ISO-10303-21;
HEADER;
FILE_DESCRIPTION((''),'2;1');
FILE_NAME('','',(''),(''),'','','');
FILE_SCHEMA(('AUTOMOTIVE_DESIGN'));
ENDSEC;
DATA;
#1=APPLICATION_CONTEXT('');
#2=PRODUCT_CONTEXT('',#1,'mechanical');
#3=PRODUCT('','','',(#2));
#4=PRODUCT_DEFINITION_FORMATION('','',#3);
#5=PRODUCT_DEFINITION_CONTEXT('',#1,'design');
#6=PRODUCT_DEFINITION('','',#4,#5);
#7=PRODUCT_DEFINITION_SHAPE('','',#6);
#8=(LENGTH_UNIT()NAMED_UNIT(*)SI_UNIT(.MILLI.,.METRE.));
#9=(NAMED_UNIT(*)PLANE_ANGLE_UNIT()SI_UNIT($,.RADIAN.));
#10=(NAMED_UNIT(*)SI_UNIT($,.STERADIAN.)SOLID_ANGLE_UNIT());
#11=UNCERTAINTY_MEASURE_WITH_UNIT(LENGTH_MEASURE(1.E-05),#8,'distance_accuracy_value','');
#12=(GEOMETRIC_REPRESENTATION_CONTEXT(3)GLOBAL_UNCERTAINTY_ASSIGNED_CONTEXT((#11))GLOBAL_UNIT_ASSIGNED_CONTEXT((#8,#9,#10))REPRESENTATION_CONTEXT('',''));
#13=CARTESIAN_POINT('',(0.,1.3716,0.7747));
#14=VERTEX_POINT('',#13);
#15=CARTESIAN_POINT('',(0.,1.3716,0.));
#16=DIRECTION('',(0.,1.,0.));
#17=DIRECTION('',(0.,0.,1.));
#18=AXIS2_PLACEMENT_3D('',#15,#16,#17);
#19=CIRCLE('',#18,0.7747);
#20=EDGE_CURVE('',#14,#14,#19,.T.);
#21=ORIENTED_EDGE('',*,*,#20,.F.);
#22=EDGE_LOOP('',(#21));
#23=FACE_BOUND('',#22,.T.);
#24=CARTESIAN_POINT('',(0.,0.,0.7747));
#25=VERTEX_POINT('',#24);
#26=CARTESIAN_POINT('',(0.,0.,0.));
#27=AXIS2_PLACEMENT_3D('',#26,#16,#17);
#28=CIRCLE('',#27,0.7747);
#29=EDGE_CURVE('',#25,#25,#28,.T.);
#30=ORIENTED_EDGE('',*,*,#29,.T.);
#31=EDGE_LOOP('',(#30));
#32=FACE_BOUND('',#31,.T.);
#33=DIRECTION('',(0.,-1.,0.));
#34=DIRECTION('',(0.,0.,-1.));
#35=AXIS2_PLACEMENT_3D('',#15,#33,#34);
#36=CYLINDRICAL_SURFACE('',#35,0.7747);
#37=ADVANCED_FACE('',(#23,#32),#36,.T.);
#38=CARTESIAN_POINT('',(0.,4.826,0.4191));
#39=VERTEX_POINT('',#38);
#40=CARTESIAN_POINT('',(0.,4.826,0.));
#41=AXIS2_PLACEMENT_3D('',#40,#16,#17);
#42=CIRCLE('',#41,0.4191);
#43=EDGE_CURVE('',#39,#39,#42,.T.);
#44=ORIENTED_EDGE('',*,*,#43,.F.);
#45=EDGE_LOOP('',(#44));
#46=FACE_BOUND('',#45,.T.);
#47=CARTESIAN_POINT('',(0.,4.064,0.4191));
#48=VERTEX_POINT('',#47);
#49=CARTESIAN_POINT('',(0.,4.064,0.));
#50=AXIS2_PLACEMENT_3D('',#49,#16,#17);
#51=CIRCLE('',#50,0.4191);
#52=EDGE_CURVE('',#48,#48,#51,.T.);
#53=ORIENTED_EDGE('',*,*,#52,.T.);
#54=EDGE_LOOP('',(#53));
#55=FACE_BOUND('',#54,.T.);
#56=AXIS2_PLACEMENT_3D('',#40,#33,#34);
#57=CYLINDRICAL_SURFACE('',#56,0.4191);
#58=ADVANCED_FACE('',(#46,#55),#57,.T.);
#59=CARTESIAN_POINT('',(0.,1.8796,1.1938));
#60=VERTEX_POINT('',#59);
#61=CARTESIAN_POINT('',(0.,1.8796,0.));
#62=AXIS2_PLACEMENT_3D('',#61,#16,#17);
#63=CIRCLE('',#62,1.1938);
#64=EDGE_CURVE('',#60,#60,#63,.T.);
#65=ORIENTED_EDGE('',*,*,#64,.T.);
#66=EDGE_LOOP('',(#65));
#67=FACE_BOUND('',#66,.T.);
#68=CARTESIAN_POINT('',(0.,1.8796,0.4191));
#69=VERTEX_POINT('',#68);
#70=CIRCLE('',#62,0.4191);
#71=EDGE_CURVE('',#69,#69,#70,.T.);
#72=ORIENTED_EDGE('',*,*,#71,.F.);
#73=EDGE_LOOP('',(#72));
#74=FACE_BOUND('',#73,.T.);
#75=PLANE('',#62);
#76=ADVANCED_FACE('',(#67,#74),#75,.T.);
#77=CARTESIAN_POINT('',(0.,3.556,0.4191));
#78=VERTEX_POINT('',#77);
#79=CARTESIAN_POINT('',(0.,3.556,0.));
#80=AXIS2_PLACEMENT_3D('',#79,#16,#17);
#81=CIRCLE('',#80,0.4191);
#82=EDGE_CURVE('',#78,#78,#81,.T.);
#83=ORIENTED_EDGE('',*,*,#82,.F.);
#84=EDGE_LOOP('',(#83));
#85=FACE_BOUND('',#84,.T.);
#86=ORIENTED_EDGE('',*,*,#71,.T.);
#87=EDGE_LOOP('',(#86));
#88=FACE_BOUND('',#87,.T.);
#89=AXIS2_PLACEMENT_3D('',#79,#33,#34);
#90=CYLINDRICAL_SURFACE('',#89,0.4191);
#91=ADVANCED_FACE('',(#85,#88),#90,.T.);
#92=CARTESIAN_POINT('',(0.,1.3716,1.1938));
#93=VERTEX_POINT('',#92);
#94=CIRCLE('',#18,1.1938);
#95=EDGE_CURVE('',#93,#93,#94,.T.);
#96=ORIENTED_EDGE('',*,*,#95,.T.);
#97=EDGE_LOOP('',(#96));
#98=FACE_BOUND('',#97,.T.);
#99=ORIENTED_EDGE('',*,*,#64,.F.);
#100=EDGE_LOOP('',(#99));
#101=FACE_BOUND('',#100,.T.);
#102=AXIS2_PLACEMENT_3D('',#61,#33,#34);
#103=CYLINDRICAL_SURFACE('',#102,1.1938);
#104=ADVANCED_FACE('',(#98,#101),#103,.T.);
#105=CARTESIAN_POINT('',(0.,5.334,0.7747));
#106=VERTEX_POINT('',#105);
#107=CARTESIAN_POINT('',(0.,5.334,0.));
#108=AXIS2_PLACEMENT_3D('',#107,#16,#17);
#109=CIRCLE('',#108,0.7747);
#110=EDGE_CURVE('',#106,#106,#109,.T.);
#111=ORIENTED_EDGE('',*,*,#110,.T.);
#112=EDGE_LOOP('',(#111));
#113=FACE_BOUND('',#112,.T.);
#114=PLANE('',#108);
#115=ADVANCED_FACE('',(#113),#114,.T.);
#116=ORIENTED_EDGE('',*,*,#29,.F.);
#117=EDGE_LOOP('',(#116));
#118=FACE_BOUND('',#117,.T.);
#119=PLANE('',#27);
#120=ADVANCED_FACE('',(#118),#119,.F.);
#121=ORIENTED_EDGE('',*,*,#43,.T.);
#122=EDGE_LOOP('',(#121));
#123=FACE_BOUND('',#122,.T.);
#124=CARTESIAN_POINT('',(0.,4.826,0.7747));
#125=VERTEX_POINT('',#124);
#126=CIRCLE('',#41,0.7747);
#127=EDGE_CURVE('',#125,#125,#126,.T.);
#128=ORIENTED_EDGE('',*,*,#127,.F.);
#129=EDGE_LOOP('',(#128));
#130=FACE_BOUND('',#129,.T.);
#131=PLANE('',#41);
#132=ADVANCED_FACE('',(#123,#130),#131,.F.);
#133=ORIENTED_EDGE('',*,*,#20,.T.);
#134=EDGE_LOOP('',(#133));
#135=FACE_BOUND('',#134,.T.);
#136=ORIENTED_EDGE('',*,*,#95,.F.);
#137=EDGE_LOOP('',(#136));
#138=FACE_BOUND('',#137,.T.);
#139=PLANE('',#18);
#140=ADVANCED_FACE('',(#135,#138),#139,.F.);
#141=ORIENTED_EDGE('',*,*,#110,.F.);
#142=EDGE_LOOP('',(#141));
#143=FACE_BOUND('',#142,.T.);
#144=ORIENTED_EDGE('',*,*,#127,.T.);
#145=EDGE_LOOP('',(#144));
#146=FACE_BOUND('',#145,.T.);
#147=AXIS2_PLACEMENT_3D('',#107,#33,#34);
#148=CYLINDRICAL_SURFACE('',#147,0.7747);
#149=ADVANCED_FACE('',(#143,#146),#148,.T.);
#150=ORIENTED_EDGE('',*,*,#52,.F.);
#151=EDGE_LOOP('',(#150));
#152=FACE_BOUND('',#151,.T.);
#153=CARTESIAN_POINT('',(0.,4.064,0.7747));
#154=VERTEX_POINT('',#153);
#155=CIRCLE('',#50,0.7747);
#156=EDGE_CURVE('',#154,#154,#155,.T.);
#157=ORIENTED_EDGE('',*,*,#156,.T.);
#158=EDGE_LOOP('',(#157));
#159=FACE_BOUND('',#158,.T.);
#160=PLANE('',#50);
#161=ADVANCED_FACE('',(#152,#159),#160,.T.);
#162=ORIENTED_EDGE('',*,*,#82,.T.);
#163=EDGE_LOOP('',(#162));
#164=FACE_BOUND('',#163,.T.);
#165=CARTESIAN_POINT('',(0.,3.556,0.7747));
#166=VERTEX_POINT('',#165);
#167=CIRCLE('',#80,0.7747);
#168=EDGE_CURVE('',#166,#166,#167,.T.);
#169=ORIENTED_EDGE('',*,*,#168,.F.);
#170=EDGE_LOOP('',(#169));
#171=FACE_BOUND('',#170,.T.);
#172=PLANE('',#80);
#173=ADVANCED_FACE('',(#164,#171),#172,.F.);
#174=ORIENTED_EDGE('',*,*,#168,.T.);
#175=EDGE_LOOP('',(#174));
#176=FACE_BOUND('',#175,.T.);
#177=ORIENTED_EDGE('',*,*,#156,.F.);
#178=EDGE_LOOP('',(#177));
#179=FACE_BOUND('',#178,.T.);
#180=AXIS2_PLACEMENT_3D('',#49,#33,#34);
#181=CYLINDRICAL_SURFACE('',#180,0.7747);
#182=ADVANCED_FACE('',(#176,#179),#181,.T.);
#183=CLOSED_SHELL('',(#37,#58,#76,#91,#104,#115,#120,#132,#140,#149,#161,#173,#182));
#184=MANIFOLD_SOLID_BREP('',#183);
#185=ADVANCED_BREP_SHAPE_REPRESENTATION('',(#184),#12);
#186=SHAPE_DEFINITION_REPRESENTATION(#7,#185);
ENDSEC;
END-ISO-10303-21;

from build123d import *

# Parameters (mm, degrees)
CROQUIS2_R              = 0.7747
SALIENTE_EXTRUIR1_DEPTH = 1.3716
CROQUIS3_R              = 1.1938
SALIENTE_EXTRUIR2_DEPTH = 0.508
CROQUIS4_R              = 0.4191
SALIENTE_EXTRUIR3_DEPTH = 1.6764
CROQUIS5_R              = 0.7747
SALIENTE_EXTRUIR4_DEPTH = 0.508
CROQUIS6_R              = 0.4191
SALIENTE_EXTRUIR5_DEPTH = 0.762
CROQUIS7_R              = 0.7747
SALIENTE_EXTRUIR6_DEPTH = 0.508


with BuildPart() as part:
    # Croquis2 → Saliente-Extruir1 (new body)
    with BuildSketch(Plane(origin=(0, 0, 0), x_dir=(1, 0, 0), z_dir=(0, 1, 0))):
        with Locations(Location((0, 0, 0), (0, 0, 270))):
            Circle(CROQUIS2_R)
    extrude(amount=SALIENTE_EXTRUIR1_DEPTH)

    # Croquis3 → Saliente-Extruir2 (add)
    with BuildSketch(Plane(origin=(0, 1.3716, 0), x_dir=(1, 0, 0), z_dir=(0, 1, 0))):
        with Locations(Location((0, 0, 0), (0, 0, 270))):
            Circle(CROQUIS3_R)
    extrude(amount=SALIENTE_EXTRUIR2_DEPTH)

    # Croquis4 → Saliente-Extruir3 (add)
    with BuildSketch(Plane(origin=(0, 1.8796, 0), x_dir=(1, 0, 0), z_dir=(0, 1, 0))):
        with Locations(Location((0, 0, 0), (0, 0, 270))):
            Circle(CROQUIS4_R)
    extrude(amount=SALIENTE_EXTRUIR3_DEPTH)

    # Croquis5 → Saliente-Extruir4 (add)
    with BuildSketch(Plane(origin=(0, 3.556, 0), x_dir=(1, 0, 0), z_dir=(0, 1, 0))):
        with Locations(Location((0, 0, 0), (0, 0, 270))):
            Circle(CROQUIS5_R)
    extrude(amount=SALIENTE_EXTRUIR4_DEPTH)

    # Croquis6 → Saliente-Extruir5 (add)
    with BuildSketch(Plane(origin=(0, 4.064, 0), x_dir=(1, 0, 0), z_dir=(0, 1, 0))):
        with Locations(Location((0, 0, 0), (0, 0, 270))):
            Circle(CROQUIS6_R)
    extrude(amount=SALIENTE_EXTRUIR5_DEPTH)

    # Croquis7 → Saliente-Extruir6 (add)
    with BuildSketch(Plane(origin=(0, 4.826, 0), x_dir=(1, 0, 0), z_dir=(0, 1, 0))):
        with Locations(Location((0, 0, 0), (0, 0, 270))):
            Circle(CROQUIS7_R)
    extrude(amount=SALIENTE_EXTRUIR6_DEPTH)


solid = part.part
